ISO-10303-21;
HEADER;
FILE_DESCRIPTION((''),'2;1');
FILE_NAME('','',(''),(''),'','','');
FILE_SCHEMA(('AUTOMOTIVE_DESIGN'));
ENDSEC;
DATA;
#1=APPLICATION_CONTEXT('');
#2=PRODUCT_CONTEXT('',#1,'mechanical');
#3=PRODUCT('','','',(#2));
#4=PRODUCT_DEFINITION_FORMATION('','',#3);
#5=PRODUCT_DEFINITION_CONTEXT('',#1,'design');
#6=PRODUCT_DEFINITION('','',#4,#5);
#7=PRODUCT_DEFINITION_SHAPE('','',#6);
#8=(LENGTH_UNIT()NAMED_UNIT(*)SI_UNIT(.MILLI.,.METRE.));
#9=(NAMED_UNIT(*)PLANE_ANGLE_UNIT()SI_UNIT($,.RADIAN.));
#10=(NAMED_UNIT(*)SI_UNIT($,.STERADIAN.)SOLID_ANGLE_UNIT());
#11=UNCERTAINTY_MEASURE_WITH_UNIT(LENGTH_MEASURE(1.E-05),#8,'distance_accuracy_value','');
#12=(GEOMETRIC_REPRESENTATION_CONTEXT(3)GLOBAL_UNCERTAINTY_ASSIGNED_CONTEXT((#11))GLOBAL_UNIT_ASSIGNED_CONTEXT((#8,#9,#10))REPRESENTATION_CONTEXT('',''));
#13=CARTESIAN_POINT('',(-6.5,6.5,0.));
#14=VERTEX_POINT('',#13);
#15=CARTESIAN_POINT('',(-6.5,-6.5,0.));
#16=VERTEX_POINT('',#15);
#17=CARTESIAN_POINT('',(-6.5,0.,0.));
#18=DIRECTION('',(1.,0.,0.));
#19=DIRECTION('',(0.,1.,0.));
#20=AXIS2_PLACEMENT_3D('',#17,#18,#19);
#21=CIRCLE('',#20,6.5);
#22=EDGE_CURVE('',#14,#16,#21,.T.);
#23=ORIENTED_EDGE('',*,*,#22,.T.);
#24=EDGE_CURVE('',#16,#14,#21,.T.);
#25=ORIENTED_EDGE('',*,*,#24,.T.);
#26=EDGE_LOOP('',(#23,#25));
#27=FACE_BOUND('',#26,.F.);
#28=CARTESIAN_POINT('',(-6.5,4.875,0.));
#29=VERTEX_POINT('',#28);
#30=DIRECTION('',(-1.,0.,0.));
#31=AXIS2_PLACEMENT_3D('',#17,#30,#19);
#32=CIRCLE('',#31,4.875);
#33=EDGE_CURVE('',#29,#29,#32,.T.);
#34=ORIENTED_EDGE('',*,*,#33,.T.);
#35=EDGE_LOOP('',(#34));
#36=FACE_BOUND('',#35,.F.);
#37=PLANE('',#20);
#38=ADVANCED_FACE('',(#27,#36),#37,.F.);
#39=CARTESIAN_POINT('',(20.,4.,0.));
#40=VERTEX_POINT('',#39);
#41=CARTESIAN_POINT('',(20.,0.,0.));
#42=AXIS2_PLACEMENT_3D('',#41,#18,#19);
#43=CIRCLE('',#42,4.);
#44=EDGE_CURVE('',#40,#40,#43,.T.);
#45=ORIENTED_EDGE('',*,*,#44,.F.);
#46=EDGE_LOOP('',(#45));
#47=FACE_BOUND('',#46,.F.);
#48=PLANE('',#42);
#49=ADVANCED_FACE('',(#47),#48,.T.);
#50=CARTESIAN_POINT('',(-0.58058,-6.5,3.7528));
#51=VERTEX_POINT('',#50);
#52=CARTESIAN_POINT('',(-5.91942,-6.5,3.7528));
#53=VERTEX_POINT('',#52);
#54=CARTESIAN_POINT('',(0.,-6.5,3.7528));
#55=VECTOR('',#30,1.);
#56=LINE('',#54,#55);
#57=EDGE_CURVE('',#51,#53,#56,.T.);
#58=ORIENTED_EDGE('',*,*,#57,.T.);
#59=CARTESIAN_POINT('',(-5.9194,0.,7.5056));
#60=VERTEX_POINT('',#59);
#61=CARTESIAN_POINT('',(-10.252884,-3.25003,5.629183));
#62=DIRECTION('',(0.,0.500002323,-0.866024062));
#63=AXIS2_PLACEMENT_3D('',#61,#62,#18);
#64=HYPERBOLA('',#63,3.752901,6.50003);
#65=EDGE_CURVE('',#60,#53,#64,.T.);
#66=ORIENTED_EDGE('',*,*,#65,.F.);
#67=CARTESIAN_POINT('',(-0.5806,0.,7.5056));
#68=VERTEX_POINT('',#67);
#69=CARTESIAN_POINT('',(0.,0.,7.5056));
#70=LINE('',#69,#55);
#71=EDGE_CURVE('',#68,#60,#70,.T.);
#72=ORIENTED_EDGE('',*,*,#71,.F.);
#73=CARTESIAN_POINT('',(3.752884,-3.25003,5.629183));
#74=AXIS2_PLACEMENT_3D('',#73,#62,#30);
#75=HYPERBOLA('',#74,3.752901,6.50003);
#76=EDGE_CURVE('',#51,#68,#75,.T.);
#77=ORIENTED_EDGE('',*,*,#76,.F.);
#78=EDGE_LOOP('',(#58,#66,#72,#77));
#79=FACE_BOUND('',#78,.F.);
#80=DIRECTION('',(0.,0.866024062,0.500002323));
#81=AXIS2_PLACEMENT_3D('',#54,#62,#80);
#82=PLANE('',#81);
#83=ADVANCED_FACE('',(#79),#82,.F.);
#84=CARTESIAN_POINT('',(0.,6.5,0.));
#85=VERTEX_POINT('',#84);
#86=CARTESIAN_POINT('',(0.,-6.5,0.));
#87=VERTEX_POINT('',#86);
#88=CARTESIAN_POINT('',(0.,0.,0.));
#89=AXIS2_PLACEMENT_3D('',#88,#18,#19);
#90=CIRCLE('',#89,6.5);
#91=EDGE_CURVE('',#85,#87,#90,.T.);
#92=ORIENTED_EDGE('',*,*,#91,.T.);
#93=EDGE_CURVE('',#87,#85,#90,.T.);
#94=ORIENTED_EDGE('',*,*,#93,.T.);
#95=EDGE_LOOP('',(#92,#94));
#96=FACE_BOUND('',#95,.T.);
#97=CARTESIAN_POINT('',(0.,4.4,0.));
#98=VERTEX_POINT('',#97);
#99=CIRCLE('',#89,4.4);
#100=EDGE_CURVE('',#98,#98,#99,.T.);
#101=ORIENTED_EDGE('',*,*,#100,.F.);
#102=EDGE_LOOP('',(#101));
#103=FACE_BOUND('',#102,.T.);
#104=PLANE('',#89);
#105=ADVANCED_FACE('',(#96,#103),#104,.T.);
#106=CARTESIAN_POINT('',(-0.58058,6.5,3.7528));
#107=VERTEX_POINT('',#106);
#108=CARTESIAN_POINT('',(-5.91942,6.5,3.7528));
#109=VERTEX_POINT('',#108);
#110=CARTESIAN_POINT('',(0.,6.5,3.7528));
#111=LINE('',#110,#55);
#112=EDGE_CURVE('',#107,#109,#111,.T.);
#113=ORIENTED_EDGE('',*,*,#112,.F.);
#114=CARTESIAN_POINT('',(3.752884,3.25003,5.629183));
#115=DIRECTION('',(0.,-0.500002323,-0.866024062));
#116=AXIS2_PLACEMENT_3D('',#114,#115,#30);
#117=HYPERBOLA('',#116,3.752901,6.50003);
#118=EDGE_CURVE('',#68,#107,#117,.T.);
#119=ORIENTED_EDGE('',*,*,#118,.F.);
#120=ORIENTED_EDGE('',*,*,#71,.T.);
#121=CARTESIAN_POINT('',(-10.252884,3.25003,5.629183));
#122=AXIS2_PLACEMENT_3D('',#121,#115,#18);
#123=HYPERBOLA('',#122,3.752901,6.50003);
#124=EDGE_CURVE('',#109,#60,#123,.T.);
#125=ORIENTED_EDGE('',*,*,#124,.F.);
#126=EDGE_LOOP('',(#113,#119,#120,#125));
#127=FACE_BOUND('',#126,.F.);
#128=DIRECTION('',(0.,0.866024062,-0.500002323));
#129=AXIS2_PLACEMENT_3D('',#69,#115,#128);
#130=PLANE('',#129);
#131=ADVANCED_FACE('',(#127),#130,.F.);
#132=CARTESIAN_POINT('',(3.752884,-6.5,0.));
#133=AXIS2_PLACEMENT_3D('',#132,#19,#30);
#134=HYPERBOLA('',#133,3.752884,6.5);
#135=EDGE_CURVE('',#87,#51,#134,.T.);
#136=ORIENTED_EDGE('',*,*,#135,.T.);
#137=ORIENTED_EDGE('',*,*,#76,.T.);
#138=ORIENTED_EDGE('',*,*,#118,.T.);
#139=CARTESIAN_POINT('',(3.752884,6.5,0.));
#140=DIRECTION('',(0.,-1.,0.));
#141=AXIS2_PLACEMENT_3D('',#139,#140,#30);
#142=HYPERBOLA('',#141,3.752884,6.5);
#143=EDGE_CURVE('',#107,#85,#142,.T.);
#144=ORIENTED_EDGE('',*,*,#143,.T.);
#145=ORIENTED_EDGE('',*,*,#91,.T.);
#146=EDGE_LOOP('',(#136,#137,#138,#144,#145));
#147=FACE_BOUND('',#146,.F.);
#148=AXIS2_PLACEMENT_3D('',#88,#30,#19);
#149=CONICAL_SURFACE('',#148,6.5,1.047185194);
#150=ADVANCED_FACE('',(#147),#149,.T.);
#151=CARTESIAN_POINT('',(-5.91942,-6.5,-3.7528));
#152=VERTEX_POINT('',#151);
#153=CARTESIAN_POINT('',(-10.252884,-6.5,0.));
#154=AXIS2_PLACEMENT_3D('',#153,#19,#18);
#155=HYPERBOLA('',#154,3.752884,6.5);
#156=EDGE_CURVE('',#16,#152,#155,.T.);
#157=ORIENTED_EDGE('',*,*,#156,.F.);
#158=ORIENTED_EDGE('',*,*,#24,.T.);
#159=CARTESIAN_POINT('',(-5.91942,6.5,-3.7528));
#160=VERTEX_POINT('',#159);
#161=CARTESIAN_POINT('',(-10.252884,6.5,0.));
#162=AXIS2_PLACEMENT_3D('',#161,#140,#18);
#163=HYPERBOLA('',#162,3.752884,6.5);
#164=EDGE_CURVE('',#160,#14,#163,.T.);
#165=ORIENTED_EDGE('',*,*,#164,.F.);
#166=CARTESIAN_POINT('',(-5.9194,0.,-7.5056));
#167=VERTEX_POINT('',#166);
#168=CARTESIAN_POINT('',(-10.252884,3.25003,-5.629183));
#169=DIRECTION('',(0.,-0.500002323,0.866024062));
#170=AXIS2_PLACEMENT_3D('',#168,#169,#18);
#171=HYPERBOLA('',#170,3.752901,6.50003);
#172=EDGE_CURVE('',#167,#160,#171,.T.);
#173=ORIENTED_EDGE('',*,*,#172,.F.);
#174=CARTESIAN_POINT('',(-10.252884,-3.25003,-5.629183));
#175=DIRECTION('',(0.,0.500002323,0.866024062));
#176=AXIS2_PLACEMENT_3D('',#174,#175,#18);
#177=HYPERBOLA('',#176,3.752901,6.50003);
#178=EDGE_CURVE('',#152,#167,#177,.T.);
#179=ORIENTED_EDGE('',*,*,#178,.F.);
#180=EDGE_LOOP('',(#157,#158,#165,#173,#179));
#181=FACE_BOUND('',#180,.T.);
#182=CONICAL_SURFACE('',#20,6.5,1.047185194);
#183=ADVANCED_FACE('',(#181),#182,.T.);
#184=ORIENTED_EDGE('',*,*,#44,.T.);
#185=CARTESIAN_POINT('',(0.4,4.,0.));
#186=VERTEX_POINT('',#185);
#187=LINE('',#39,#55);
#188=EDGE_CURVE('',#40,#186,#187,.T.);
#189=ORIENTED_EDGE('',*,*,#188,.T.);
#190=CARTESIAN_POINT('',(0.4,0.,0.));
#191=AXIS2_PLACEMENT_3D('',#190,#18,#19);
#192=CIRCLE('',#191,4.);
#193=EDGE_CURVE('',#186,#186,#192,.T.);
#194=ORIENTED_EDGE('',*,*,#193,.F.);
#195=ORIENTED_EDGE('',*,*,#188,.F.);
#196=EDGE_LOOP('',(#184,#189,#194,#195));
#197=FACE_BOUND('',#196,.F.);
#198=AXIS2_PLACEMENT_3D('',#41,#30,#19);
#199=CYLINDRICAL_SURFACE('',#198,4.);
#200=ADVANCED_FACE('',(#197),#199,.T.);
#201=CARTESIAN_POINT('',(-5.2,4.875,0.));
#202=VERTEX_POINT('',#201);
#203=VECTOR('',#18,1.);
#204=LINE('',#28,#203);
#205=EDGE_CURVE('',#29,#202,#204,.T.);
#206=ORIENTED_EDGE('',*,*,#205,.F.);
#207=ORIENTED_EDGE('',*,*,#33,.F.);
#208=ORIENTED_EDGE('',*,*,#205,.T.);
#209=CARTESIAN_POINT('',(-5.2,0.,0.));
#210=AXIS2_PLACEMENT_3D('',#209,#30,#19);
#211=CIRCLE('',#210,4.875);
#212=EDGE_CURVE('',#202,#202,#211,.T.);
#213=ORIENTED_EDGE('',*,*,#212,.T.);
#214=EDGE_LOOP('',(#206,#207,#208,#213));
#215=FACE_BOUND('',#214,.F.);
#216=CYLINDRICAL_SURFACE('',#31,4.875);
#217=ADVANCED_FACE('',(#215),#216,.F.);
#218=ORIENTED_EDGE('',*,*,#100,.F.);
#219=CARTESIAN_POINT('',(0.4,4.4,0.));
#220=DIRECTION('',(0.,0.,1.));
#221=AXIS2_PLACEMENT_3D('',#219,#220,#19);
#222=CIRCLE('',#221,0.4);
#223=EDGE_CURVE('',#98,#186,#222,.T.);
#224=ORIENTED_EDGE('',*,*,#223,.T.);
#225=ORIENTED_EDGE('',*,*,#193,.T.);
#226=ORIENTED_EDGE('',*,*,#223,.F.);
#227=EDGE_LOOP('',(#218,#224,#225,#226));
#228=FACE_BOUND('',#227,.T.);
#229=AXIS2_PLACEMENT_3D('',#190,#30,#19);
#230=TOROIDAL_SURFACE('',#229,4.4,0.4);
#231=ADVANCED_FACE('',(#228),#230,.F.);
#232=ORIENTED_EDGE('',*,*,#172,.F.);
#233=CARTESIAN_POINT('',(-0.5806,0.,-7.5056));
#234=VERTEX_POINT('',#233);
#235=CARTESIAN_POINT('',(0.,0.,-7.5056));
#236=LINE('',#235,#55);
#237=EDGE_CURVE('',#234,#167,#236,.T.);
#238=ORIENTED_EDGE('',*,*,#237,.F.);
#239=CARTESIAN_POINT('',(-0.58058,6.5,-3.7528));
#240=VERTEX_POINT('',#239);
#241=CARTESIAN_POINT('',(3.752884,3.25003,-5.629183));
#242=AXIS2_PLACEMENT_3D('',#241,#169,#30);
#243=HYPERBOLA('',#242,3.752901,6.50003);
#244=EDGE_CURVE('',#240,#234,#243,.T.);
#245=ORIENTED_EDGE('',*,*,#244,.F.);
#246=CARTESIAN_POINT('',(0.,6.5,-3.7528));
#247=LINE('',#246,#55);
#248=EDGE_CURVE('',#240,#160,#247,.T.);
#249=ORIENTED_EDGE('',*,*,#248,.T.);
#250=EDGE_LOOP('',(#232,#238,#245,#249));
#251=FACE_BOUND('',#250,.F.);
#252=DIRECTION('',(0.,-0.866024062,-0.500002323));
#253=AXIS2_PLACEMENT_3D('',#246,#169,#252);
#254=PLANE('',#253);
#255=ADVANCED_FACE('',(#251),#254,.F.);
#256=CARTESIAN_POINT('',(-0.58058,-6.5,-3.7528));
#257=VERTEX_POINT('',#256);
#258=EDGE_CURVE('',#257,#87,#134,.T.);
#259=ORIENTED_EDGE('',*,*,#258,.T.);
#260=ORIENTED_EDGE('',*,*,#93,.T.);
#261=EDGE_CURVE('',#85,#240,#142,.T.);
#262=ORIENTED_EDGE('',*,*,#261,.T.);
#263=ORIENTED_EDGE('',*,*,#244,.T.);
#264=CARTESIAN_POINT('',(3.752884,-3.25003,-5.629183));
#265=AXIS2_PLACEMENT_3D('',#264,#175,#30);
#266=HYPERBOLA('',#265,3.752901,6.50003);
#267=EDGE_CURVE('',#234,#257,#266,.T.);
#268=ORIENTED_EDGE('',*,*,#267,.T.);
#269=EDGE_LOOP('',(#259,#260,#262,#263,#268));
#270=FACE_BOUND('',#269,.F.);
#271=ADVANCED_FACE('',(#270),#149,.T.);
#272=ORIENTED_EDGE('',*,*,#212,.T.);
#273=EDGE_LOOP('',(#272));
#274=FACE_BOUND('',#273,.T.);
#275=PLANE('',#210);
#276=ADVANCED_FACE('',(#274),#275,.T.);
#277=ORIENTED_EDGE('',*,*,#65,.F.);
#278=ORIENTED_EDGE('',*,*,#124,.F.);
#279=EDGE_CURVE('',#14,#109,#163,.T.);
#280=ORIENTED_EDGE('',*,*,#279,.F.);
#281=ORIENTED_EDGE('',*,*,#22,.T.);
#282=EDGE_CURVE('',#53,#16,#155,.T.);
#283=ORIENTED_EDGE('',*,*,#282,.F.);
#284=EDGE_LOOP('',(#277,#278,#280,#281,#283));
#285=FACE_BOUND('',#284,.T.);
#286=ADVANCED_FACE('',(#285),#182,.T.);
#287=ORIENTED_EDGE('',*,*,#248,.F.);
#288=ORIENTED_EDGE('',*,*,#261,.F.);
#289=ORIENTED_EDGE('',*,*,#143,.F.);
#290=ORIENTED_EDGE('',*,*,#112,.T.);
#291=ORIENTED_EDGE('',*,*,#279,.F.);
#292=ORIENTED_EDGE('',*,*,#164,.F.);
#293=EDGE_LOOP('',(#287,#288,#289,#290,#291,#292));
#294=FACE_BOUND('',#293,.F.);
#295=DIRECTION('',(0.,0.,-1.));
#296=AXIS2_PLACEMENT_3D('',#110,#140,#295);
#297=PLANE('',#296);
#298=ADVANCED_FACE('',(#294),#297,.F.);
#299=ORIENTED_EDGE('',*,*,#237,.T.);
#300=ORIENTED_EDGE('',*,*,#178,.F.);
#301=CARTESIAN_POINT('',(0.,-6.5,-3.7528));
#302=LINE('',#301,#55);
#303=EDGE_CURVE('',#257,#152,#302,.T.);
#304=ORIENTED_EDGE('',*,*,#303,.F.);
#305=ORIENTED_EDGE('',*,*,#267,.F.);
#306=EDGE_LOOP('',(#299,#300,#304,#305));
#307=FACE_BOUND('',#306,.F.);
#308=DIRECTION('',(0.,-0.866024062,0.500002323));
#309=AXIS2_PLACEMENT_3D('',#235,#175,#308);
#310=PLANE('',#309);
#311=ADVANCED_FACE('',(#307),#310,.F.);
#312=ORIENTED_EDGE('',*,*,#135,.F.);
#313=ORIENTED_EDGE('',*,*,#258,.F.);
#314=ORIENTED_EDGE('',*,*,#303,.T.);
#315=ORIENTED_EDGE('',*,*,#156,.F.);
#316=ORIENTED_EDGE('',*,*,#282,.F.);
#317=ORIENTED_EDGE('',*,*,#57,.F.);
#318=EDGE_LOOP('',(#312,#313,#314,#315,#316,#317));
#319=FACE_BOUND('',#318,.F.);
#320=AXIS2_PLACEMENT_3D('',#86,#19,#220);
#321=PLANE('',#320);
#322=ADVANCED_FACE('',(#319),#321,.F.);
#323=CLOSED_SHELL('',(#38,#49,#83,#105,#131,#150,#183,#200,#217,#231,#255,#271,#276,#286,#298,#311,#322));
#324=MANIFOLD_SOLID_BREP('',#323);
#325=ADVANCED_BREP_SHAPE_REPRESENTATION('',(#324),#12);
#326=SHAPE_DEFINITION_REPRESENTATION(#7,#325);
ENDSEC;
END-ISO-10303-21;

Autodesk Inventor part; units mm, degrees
ref_plane "YZ Plane" through (0, 0, 0) normal (1, 0, 0) x (0, 1, 0)
ref_plane "XZ Plane" through (0, 0, 0) normal (0, 1, 0) x (-1, 0, 0)
sketch "Sketch1" plane through (0, 0, 0) normal (0, 0, 1) x (1, 0, 0)
  line L0 (0, 4) -> (0, 0)
  line L1 (0, 0) -> (20, 0)
  line L2 (20, 0) -> (20, 4)
  line L3 (20, 4) -> (0, 4)
  line L4 (-4, 0) -> (24, 0) projected
  line L5 (0, -0.8) -> (0, 4.8) projected
  dimension "d0" = 8
  dimension "d1" = 20
revolve "Body" add sketch "Sketch1" angle 360 about axis through (0, 0, 0) along (1, 0, 0)
sketch "Sketch2" plane through (0, 0, 0) normal (1, 0, 0) x (0, 1, 0)
  line L0 (0, 7.5056) -> (6.5, 3.7528)
  line L1 (6.5, 3.7528) -> (6.5, -3.7528)
  line L2 (6.5, -3.7528) -> (0, -7.5056)
  line L3 (0, -7.5056) -> (-6.5, -3.7528)
  line L4 (-6.5, -3.7528) -> (-6.5, 3.7528)
  line L5 (-6.5, 3.7528) -> (0, 7.5056)
  line L6 (-9.1, 0) -> (9.1, 0) projected
  line L7 (0, -10.5078) -> (0, 10.5078) projected
  point P0 (0, 0)
  point P1 (0, 0)
  dimension "d2" = 13
extrude "Head" add sketch "Sketch2" against normal blind 6.5
sketch "Sketch3" plane through (-6.5, 0, 0) normal (-1, 0, 0) x (0, 1, 0)
  circle A0 centre (0, 0) radius 4.875
  point P0 (0, 0)
  dimension "d12" = 9.75
extrude "Indent1" cut sketch "Sketch3" against normal blind 1.3
sketch "Sketch4" plane through (0, 0, 0) normal (0, 0, 1) x (1, 0, 0)
  line L0 (-6.5, 7.5056) -> (-6.5, 6.5)
  line L1 (-6.5, 6.5) -> (-5.9194, 7.5056)
  line L2 (-5.9194, 7.5056) -> (-6.5, 7.5056)
  line L3 (0, 7.5056) -> (0, 6.5)
  line L4 (0, 6.5) -> (-0.5806, 7.5056)
  line L5 (-0.5806, 7.5056) -> (0, 7.5056)
  line L6 (0, 0) -> (-6.5, 0) projected
  line L7 (-6.5, 0) -> (-6.5, 6.5) projected
  line L8 (0, 0) -> (0, 6.5) projected
  line L9 (-7.8, 0) -> (1.3, 0) projected
  line L10 (-5.9194, 7.5056) -> (-0.5806, 7.5056) construction
  line L11 (0, -1.5011) -> (0, 9.0067) projected
  dimension "d6" = 30
  dimension "d7" = 30
  dimension "d16" = 13
  dimension "d17" = 13
  dimension "d18" = 15.0111
revolve "Chamfer1" cut sketch "Sketch4" angle 360 about axis through (-10, 0, 0) along (1, 0, 0)
fillet "Fillet1" radius 0.4 1 edges at (0, -4, 0)
thread "Thread" size "M8x1.25" class "6g" standard "ISO Metric profile" length 17.5
ref_plane "Work Plane1" through (3, 0, 0) normal (0, 0.5, 0.866) x (1, 0, 0)
equation "\"d0\" = GD"
equation "\"d1\" = NLG"
equation "\"d2\" = SW"
equation "\"d3\" = KOH"
equation "\"d12\" = 0.75 * SW0"
equation "\"d14\" = 0.2 * KOH"
equation "\"d6\" = ANG1"
equation "\"d7\" = ANG1"
equation "\"d16\" = SW0"
equation "\"d17\" = SW0"
equation "\"d18\" = 1.1547 * SW"
equation "\"d11\" = RR"
equation "\"d8\" = GEL"
equation "\"NLG\" = 20"
equation "\"KOH\" = 6.5"
equation "\"GD\" = NND"
equation "\"GEL\" = 17.5"
equation "\"SW\" = 13"
equation "\"SW0\" = SW"
equation "\"ANG1\" = 30deg"
equation "\"RR\" = 0.4"
equation "\"GUL\" = 0.61345 * PTC"
equation "\"SPD\" = NND - 1.2269 * PTC"
equation "\"GD1\" = THREADDIA - 1.2269 * PTC"
equation "\"THREADDIA\" = 8"
equation "\"SDH\" = 9.2"
equation "\"TOA\" = 30deg"
equation "\"BDM\" = NND"
equation "\"FAWI\" = 45deg"
equation "\"PTC\" = 1.25"
equation "\"NND\" = 8"
equation "\"GAL\" = 0.61345 * PTC"
equation "\"SD\" = 0"
equation "\"SD2\" = SDH"
equation "\"E0\" = 1.155 * SW"
properties part number "AS 1427 - M8 x 20" material "Steel, Mild"
